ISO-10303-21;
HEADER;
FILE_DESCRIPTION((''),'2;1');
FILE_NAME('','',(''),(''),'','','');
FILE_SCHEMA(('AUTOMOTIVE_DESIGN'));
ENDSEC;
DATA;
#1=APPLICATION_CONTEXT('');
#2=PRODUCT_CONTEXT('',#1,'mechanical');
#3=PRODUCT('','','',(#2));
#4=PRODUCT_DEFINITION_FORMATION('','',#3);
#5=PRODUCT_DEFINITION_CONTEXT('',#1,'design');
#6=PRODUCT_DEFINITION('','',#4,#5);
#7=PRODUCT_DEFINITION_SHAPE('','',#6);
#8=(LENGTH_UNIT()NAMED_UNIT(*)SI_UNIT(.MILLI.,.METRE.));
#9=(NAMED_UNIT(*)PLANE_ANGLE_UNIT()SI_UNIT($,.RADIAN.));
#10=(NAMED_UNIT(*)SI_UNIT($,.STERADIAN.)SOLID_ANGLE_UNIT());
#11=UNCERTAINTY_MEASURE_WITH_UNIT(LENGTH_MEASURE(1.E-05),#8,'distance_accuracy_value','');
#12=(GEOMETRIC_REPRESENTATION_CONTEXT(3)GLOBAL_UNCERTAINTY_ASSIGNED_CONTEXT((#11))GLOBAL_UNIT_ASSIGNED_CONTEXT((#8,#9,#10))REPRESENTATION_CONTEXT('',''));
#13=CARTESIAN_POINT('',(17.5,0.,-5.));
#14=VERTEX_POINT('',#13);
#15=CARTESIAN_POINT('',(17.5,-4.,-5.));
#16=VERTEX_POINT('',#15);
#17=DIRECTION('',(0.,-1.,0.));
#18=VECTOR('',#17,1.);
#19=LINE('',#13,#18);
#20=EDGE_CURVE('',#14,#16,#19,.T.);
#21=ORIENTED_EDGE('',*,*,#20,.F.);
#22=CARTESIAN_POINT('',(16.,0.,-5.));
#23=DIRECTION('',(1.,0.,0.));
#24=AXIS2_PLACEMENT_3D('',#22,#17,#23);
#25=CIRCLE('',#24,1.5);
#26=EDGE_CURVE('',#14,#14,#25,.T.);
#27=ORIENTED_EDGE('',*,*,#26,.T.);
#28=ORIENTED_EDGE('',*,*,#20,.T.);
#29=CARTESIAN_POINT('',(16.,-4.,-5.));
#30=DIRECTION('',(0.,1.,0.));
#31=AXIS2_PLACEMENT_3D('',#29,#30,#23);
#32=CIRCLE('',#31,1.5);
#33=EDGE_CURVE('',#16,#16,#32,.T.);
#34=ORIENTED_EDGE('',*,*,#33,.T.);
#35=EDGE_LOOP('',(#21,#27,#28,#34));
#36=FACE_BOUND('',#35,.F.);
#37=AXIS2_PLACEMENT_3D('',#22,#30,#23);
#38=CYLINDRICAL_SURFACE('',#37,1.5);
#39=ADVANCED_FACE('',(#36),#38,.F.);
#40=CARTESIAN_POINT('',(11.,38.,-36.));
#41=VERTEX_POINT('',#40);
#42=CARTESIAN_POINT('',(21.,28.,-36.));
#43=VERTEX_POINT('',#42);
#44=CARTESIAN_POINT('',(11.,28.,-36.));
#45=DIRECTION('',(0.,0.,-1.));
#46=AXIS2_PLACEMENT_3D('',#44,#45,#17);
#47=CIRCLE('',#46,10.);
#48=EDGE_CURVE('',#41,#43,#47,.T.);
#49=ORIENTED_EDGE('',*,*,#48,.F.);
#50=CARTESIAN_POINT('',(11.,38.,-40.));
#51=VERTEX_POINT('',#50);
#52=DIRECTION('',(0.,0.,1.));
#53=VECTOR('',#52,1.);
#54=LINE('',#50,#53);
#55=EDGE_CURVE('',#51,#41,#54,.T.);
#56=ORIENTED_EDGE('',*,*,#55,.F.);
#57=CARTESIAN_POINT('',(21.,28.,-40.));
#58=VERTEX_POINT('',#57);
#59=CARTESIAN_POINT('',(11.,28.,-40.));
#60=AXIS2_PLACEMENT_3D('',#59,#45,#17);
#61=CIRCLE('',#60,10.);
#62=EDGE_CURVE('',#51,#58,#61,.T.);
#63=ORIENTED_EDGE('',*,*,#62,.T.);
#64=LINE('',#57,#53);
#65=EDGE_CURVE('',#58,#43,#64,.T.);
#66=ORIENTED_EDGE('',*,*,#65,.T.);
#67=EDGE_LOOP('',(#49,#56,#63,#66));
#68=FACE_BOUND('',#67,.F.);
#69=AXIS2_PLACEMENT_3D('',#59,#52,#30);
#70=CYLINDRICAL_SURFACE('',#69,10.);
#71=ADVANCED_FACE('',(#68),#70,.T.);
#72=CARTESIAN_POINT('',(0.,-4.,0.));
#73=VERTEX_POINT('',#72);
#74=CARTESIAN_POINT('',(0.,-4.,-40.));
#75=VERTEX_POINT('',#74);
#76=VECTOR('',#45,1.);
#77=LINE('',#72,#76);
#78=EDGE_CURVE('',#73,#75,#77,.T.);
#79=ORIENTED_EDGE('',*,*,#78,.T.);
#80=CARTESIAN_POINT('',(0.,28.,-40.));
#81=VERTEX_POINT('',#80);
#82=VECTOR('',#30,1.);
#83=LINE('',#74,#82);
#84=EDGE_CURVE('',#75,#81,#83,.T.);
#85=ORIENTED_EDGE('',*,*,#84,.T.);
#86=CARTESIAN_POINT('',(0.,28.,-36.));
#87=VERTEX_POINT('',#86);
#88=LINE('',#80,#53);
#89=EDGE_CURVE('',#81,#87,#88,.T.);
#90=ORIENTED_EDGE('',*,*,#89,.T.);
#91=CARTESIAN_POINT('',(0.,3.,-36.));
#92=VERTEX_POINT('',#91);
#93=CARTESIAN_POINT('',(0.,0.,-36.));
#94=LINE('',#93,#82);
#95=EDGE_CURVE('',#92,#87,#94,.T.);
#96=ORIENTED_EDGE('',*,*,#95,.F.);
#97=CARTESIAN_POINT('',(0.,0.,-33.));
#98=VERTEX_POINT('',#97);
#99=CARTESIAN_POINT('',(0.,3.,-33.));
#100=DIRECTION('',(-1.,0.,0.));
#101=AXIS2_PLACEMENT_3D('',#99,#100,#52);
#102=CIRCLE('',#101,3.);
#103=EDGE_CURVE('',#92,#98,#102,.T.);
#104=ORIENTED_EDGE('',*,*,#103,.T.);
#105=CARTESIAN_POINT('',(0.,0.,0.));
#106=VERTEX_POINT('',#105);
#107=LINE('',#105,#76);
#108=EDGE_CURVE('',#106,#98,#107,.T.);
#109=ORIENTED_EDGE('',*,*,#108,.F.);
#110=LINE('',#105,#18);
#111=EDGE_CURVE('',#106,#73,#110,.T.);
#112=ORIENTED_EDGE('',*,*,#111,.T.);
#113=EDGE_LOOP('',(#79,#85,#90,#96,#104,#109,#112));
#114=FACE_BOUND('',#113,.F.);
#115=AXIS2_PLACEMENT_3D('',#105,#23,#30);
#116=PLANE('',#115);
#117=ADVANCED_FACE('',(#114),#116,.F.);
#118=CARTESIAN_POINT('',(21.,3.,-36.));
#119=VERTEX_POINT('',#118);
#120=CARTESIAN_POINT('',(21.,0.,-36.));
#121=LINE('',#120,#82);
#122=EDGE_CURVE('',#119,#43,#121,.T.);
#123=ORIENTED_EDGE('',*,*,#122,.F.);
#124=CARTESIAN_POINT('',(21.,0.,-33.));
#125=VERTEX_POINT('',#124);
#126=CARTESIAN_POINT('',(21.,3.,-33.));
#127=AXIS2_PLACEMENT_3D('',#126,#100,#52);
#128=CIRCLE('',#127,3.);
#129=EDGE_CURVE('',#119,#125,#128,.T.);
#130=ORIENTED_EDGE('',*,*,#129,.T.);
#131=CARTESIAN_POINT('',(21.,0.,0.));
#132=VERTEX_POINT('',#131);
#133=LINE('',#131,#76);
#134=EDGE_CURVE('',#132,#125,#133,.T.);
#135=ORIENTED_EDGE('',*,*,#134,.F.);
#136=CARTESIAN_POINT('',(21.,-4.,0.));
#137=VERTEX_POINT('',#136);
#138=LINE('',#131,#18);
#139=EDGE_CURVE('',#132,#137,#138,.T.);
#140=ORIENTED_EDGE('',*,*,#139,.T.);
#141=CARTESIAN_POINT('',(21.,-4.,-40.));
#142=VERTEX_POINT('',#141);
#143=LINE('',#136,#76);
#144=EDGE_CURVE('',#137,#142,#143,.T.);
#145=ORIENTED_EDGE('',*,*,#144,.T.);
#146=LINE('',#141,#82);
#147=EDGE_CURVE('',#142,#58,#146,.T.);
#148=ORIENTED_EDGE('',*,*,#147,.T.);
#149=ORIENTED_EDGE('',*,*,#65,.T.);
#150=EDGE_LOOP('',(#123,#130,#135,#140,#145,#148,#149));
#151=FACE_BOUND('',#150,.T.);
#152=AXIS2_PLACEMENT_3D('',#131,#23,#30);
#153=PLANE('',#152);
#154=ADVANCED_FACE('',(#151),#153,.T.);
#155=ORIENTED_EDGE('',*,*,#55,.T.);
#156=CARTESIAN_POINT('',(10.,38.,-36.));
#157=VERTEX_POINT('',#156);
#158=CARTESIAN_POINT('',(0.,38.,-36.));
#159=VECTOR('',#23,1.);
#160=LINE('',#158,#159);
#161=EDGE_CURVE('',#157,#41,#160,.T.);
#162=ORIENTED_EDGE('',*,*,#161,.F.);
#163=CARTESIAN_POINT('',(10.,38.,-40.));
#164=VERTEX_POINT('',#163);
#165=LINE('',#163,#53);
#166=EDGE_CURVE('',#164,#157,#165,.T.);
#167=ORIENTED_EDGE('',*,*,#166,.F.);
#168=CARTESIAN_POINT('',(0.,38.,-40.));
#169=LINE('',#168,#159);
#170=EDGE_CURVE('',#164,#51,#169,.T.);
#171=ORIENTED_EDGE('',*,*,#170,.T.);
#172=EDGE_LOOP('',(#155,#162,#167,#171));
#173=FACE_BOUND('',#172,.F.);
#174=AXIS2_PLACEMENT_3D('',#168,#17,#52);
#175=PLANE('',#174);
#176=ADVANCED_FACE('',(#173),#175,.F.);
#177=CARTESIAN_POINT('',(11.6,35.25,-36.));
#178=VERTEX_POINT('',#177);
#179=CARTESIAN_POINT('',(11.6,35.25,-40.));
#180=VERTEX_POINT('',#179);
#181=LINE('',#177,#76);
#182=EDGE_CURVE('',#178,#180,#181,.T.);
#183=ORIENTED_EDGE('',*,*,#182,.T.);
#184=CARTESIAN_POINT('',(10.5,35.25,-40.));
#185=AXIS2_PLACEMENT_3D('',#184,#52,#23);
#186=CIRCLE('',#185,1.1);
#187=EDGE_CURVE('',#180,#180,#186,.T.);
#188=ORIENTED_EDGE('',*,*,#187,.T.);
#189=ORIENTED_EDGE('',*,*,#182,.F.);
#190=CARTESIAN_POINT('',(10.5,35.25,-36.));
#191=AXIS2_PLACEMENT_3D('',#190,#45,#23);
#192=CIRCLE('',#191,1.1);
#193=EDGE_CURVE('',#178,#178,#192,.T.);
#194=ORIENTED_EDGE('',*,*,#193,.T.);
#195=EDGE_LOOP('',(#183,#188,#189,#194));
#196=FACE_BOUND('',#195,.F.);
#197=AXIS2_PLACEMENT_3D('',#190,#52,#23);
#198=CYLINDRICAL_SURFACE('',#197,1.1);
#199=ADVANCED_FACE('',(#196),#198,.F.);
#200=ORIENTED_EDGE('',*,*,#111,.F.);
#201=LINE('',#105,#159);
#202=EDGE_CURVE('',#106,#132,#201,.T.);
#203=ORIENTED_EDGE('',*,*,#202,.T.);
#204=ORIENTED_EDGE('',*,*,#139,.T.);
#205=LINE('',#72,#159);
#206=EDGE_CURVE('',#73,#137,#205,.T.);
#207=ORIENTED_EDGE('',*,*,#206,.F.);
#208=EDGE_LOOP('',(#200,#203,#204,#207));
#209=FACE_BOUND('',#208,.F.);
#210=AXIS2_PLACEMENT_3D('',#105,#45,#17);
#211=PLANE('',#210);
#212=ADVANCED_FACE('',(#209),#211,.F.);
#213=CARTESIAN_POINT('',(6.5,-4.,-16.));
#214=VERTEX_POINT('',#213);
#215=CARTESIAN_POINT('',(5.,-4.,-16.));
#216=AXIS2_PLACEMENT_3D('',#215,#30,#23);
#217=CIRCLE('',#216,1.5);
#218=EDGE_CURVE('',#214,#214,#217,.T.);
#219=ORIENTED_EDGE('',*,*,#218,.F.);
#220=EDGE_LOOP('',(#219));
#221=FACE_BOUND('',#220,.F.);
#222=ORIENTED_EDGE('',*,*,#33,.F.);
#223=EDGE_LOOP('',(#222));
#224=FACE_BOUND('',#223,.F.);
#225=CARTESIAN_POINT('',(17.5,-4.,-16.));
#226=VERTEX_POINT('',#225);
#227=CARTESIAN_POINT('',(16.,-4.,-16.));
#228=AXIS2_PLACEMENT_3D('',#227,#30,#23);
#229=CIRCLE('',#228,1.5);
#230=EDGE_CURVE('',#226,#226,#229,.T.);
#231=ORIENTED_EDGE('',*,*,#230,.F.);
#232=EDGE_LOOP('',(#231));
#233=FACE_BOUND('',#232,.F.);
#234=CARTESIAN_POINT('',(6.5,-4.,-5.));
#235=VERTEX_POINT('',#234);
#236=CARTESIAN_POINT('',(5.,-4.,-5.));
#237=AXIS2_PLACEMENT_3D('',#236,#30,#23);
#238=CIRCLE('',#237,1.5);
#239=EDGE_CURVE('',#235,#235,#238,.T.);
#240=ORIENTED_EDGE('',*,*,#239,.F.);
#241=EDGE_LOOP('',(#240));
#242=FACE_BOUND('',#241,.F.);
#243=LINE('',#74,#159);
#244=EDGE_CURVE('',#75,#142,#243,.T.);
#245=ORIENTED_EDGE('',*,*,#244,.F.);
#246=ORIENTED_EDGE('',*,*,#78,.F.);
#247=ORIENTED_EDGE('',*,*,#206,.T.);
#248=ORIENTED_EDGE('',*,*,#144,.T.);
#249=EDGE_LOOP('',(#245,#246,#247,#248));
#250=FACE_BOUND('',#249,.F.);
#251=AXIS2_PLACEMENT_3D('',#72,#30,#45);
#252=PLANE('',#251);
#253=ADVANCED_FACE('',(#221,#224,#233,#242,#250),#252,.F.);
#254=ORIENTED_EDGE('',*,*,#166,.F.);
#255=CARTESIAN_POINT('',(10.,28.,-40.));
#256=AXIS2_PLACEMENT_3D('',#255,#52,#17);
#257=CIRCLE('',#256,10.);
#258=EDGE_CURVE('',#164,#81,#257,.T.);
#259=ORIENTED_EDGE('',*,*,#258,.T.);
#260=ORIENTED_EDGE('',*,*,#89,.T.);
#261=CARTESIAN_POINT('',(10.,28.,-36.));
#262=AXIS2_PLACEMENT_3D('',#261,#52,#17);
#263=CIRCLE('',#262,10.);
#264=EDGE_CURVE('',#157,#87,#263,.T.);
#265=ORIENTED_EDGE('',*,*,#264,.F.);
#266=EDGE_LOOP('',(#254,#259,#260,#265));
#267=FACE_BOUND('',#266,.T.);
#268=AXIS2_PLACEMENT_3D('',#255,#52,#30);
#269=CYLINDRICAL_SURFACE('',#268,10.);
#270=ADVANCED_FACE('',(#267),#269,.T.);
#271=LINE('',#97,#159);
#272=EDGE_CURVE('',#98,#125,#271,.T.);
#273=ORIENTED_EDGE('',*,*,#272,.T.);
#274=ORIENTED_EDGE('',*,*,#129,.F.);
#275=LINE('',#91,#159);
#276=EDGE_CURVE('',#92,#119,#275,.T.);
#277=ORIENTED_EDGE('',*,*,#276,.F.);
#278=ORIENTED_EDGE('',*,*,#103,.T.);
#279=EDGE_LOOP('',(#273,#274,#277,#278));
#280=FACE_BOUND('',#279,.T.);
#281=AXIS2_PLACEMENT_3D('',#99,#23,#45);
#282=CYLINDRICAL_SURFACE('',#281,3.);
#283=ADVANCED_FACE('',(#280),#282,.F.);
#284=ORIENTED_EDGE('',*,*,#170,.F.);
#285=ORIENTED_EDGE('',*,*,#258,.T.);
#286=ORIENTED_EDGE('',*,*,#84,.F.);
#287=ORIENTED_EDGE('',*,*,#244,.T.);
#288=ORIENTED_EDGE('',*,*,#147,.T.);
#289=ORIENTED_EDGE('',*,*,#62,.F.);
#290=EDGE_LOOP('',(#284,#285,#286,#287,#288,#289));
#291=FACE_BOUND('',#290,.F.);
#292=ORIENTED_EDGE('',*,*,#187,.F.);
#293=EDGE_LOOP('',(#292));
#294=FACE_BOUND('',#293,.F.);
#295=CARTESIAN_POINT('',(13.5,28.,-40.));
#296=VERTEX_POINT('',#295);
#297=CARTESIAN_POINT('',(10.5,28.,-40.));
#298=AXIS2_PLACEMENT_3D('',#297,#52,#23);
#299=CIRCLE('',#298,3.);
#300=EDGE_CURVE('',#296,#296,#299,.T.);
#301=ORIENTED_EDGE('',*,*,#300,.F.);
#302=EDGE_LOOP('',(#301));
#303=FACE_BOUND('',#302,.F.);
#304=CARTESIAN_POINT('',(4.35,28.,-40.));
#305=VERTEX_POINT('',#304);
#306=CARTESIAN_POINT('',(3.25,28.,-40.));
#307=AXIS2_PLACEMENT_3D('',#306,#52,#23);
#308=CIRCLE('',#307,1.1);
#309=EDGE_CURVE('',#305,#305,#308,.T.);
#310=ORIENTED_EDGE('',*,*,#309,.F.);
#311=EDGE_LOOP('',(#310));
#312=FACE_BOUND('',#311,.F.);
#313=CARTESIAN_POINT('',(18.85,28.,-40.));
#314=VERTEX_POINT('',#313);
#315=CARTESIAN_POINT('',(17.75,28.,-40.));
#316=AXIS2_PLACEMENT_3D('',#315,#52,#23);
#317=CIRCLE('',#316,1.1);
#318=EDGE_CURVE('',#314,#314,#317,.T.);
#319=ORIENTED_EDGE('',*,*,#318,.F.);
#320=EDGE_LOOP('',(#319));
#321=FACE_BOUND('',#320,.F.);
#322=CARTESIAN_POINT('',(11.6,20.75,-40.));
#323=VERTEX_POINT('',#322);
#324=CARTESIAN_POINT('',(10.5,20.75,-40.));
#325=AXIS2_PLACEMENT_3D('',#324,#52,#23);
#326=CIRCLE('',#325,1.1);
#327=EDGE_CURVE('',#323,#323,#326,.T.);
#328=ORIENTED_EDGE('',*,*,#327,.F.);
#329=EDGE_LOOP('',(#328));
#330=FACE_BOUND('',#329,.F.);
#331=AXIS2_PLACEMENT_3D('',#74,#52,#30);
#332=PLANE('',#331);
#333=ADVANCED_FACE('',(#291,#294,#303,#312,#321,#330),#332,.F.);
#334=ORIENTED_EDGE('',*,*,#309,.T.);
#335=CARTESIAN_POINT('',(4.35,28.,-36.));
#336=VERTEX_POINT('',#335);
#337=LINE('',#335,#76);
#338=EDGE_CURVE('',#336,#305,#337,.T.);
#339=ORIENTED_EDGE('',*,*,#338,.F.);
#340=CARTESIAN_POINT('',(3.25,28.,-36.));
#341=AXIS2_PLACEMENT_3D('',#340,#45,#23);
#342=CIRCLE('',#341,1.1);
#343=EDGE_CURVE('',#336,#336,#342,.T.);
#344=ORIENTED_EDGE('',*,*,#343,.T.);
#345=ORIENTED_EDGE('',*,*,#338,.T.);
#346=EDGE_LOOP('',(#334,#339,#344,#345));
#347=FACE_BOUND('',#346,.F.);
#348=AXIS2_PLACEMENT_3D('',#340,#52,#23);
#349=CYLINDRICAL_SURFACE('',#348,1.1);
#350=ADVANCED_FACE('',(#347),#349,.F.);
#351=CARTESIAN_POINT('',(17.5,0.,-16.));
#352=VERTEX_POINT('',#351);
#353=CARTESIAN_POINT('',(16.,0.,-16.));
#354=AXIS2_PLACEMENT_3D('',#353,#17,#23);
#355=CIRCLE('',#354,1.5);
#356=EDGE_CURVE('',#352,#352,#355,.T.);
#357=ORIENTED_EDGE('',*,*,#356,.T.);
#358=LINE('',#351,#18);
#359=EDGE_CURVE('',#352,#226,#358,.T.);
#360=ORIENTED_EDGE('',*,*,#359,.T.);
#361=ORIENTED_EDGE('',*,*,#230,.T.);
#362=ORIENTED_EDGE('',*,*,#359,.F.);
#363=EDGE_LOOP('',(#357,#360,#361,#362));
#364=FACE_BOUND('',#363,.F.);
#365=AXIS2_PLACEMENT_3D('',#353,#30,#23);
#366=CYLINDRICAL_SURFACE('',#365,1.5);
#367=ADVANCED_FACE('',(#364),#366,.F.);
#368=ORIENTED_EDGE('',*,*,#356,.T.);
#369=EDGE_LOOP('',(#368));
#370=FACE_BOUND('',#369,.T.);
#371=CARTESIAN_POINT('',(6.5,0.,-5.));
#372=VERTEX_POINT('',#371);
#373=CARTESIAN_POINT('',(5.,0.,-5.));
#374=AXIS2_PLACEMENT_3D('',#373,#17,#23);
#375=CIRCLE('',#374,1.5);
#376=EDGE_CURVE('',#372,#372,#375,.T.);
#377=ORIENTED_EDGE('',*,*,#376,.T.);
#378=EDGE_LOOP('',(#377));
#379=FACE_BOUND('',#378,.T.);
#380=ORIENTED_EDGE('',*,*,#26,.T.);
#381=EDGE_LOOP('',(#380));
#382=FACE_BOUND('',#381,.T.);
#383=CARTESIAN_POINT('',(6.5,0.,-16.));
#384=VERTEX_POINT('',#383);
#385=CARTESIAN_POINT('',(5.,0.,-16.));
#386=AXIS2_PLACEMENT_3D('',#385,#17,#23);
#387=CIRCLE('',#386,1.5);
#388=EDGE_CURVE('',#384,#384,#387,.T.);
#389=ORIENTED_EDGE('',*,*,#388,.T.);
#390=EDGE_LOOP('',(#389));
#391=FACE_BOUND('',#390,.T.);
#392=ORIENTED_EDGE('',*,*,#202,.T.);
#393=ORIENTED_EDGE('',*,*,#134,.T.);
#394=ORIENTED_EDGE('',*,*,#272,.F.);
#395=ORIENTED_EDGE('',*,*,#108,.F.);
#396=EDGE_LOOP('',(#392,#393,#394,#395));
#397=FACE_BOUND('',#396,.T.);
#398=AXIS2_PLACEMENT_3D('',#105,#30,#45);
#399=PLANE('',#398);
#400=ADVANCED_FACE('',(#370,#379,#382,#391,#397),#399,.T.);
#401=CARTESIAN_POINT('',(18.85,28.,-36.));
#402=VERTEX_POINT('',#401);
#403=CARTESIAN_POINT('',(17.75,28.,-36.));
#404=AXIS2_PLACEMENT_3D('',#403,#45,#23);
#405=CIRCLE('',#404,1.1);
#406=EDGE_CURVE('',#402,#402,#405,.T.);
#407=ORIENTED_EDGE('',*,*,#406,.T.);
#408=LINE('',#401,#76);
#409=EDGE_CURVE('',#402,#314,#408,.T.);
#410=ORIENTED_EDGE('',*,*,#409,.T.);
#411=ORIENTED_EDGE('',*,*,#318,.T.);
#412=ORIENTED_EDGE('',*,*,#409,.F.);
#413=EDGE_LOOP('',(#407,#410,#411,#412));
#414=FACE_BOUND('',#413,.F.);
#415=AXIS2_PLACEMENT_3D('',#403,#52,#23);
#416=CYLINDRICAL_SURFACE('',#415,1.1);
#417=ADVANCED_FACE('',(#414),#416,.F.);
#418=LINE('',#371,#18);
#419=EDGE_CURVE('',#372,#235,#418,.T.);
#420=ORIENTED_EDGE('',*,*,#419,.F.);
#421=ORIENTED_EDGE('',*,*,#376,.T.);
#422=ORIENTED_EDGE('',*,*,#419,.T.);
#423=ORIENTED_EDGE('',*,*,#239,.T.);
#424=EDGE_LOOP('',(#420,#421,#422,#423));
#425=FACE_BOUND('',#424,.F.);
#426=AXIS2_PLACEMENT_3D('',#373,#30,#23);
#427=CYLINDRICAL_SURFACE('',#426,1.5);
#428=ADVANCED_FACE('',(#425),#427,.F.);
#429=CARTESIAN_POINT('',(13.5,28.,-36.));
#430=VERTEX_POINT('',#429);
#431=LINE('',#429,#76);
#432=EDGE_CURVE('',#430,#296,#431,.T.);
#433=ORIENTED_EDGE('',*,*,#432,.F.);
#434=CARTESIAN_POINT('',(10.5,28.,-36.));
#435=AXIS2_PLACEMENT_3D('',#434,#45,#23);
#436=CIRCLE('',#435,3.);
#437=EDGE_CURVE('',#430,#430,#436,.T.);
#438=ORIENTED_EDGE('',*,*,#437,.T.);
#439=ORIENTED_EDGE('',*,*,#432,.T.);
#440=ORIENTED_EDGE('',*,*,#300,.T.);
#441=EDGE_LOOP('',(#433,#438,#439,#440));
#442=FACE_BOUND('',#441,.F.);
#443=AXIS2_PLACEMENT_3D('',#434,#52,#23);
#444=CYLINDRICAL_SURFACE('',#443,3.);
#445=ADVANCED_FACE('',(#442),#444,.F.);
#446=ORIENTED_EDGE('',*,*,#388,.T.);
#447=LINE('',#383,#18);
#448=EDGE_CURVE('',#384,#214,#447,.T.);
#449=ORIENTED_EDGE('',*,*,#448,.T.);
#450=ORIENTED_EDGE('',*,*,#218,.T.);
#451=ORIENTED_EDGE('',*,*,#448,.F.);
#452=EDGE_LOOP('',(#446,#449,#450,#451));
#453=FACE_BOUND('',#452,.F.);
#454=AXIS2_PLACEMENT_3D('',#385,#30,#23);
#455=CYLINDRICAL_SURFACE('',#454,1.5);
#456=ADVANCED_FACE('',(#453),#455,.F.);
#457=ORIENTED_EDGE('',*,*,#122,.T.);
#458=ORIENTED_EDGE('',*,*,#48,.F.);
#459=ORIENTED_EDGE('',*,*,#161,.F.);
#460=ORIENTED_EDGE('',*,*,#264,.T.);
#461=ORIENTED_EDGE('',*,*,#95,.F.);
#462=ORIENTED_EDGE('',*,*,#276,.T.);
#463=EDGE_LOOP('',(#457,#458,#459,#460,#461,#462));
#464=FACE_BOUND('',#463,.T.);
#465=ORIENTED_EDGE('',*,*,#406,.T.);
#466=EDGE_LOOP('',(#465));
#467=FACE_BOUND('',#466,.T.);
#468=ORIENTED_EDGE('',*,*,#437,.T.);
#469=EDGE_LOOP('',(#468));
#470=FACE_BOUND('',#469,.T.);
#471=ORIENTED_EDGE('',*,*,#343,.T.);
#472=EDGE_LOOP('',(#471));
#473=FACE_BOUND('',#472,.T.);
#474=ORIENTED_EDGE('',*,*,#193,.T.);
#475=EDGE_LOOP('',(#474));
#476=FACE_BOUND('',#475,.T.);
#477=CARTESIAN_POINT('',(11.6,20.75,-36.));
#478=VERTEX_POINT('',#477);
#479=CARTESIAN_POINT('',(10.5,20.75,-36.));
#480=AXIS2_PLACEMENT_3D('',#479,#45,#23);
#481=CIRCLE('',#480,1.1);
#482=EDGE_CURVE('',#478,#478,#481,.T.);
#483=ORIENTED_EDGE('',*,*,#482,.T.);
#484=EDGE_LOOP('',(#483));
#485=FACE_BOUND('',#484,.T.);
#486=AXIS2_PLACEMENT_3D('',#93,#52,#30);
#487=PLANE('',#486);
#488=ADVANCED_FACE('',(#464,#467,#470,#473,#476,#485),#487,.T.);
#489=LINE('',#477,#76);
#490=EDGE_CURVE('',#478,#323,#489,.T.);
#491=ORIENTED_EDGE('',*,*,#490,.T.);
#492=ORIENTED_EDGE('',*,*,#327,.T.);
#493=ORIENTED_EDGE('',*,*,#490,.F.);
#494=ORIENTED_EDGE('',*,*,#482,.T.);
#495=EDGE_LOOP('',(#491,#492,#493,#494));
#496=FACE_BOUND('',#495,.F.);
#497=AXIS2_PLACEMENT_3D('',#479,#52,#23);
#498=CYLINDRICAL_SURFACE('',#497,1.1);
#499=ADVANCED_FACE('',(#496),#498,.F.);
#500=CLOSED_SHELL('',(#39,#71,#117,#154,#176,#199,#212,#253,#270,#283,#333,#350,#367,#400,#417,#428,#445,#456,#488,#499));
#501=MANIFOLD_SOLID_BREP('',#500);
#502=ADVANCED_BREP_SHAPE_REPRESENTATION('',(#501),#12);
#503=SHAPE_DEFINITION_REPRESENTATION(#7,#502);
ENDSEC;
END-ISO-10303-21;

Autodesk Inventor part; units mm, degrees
ref_plane "YZ Plane" through (0, 0, 0) normal (1, 0, 0) x (0, 1, 0)
ref_plane "XZ Plane" through (0, 0, 0) normal (0, 1, 0) x (-1, 0, 0)
ref_plane "XY Plane" through (0, 0, 0) normal (0, 0, 1) x (1, 0, 0)
sketch "Sketch1" plane through (0, 0, 0) normal (1, 0, 0) x (0, 1, 0)
  line L0 (0, 0) -> (0, -36)
  line L1 (0, -36) -> (38, -36)
  line L2 (0, 0) -> (-4, 0)
  line L3 (-4, 0) -> (-4, -40)
  line L4 (-4, -40) -> (38, -40)
  line L5 (38, -40) -> (38, -36)
  dimension "d0" = 36
  dimension "d1" = 38
  dimension "d2" = 4
  dimension "d3" = 40
extrude "Extrusion1" add sketch "Sketch1" along normal blind 21
fillet "Fillet1" radius 10 2 edges at (21, 38, -38) (0, 38, -38)
sketch "Sketch2" plane through (0, 0, -36) normal (0, 0, 1) x (1, 0, 0)
  arc A0 (10, 38) -> (0, 28) centre (10, 28) ccw projected
  line L0 (0, 28) -> (21, 28)
  line L1 (0, 28) -> (0, 0) projected
  line L2 (0, 28) -> (10.5, 28)
  circle A1 centre (10.5, 28) radius 8
  circle A2 centre (10.5, 28) radius 6.5
  line L3 (4, 28) -> (2.5, 28)
  circle A3 centre (3.25, 28) radius 1.1
  line L4 (17, 28) -> (18.5, 28)
  circle A4 centre (17.75, 28) radius 1.1
  line L5 (10.5, 28) -> (10.5, 36)
  line L6 (10.5, 28) -> (10.5, 20)
  line L7 (10.5, 36) -> (10.5, 34.5)
  line L8 (10.5, 20) -> (10.5, 21.5)
  circle A5 centre (10.5, 35.25) radius 1.1
  circle A6 centre (10.5, 20.75) radius 1.1
  circle A7 centre (10.5, 28) radius 3
  dimension "d7" = 10.5
  dimension "d8" = 16
  dimension "d9" = 13
  dimension "d10" = 2.2
  dimension "d11" = 2.2
  dimension "d12" = 2.2
  dimension "d13" = 2.2
  dimension "d14" = 6
extrude "Extrusion2" cut sketch "Sketch2" against normal blind 21 contours A2 A3 A1 L0 | A2 A3 L0 | L0 A1 A3 A2 | L0 A3 A2 | A1 A3 L0 | L0 A3 A1 | A7 L5 L0 | L0 L6 A7 | A5 A1 L5 A2 | A2 L5 A5 | A6 L6 A2 | A2 L6 A1 A6 | A5 A1 | A1 A6 | L5 A7 L0 | L0 A7 L6 | L5 A1 A5 A2 | A2 A5 L5 | L6 A6 A2 | A2 A6 A1 L6 | A4 L0 A1 | A1 L0 A2 A4 | A4 A2 L0 A1 | A1 L0 A4 | A4 A2 L0 | L0 A2 A4
sketch "Sketch3" plane through (0, 0, 0) normal (0, 1, 0) x (1, 0, 0)
  line L0 (0, 36) -> (0, 0) projected
  line L1 (0, 0) -> (5, 0)
  line L2 (5, 0) -> (5, 5)
  line L3 (5, 5) -> (0, 5)
  line L4 (0, 5) -> (0, 0)
  line L5 (5, 5) -> (16, 5)
  line L6 (16, 5) -> (16, 16)
  line L7 (16, 16) -> (5, 16)
  line L8 (5, 16) -> (5, 5)
  circle A0 centre (5, 5) radius 1.5
  circle A1 centre (5, 16) radius 1.5
  circle A2 centre (16, 5) radius 1.5
  circle A3 centre (16, 16) radius 1.5
  dimension "d17" = 5
  dimension "d18" = 5
  dimension "d19" = 11
  dimension "d20" = 11
  dimension "d21" = 3
  dimension "d22" = 3
  dimension "d23" = 3
  dimension "d24" = 3
extrude "Extrusion3" cut sketch "Sketch3" against normal blind 21 contours A0 L8 L3 | L3 L2 A0 | L5 A0 L2 | L8 A0 L5 | A1 L7 L8 | L8 L7 A1 | A2 L6 L5 | L5 L6 A2 | A3 L6 L7 | L7 L6 A3
fillet "Fillet2" radius 3 1 edges at (10.5, 0, -36)
properties part number "L1"
